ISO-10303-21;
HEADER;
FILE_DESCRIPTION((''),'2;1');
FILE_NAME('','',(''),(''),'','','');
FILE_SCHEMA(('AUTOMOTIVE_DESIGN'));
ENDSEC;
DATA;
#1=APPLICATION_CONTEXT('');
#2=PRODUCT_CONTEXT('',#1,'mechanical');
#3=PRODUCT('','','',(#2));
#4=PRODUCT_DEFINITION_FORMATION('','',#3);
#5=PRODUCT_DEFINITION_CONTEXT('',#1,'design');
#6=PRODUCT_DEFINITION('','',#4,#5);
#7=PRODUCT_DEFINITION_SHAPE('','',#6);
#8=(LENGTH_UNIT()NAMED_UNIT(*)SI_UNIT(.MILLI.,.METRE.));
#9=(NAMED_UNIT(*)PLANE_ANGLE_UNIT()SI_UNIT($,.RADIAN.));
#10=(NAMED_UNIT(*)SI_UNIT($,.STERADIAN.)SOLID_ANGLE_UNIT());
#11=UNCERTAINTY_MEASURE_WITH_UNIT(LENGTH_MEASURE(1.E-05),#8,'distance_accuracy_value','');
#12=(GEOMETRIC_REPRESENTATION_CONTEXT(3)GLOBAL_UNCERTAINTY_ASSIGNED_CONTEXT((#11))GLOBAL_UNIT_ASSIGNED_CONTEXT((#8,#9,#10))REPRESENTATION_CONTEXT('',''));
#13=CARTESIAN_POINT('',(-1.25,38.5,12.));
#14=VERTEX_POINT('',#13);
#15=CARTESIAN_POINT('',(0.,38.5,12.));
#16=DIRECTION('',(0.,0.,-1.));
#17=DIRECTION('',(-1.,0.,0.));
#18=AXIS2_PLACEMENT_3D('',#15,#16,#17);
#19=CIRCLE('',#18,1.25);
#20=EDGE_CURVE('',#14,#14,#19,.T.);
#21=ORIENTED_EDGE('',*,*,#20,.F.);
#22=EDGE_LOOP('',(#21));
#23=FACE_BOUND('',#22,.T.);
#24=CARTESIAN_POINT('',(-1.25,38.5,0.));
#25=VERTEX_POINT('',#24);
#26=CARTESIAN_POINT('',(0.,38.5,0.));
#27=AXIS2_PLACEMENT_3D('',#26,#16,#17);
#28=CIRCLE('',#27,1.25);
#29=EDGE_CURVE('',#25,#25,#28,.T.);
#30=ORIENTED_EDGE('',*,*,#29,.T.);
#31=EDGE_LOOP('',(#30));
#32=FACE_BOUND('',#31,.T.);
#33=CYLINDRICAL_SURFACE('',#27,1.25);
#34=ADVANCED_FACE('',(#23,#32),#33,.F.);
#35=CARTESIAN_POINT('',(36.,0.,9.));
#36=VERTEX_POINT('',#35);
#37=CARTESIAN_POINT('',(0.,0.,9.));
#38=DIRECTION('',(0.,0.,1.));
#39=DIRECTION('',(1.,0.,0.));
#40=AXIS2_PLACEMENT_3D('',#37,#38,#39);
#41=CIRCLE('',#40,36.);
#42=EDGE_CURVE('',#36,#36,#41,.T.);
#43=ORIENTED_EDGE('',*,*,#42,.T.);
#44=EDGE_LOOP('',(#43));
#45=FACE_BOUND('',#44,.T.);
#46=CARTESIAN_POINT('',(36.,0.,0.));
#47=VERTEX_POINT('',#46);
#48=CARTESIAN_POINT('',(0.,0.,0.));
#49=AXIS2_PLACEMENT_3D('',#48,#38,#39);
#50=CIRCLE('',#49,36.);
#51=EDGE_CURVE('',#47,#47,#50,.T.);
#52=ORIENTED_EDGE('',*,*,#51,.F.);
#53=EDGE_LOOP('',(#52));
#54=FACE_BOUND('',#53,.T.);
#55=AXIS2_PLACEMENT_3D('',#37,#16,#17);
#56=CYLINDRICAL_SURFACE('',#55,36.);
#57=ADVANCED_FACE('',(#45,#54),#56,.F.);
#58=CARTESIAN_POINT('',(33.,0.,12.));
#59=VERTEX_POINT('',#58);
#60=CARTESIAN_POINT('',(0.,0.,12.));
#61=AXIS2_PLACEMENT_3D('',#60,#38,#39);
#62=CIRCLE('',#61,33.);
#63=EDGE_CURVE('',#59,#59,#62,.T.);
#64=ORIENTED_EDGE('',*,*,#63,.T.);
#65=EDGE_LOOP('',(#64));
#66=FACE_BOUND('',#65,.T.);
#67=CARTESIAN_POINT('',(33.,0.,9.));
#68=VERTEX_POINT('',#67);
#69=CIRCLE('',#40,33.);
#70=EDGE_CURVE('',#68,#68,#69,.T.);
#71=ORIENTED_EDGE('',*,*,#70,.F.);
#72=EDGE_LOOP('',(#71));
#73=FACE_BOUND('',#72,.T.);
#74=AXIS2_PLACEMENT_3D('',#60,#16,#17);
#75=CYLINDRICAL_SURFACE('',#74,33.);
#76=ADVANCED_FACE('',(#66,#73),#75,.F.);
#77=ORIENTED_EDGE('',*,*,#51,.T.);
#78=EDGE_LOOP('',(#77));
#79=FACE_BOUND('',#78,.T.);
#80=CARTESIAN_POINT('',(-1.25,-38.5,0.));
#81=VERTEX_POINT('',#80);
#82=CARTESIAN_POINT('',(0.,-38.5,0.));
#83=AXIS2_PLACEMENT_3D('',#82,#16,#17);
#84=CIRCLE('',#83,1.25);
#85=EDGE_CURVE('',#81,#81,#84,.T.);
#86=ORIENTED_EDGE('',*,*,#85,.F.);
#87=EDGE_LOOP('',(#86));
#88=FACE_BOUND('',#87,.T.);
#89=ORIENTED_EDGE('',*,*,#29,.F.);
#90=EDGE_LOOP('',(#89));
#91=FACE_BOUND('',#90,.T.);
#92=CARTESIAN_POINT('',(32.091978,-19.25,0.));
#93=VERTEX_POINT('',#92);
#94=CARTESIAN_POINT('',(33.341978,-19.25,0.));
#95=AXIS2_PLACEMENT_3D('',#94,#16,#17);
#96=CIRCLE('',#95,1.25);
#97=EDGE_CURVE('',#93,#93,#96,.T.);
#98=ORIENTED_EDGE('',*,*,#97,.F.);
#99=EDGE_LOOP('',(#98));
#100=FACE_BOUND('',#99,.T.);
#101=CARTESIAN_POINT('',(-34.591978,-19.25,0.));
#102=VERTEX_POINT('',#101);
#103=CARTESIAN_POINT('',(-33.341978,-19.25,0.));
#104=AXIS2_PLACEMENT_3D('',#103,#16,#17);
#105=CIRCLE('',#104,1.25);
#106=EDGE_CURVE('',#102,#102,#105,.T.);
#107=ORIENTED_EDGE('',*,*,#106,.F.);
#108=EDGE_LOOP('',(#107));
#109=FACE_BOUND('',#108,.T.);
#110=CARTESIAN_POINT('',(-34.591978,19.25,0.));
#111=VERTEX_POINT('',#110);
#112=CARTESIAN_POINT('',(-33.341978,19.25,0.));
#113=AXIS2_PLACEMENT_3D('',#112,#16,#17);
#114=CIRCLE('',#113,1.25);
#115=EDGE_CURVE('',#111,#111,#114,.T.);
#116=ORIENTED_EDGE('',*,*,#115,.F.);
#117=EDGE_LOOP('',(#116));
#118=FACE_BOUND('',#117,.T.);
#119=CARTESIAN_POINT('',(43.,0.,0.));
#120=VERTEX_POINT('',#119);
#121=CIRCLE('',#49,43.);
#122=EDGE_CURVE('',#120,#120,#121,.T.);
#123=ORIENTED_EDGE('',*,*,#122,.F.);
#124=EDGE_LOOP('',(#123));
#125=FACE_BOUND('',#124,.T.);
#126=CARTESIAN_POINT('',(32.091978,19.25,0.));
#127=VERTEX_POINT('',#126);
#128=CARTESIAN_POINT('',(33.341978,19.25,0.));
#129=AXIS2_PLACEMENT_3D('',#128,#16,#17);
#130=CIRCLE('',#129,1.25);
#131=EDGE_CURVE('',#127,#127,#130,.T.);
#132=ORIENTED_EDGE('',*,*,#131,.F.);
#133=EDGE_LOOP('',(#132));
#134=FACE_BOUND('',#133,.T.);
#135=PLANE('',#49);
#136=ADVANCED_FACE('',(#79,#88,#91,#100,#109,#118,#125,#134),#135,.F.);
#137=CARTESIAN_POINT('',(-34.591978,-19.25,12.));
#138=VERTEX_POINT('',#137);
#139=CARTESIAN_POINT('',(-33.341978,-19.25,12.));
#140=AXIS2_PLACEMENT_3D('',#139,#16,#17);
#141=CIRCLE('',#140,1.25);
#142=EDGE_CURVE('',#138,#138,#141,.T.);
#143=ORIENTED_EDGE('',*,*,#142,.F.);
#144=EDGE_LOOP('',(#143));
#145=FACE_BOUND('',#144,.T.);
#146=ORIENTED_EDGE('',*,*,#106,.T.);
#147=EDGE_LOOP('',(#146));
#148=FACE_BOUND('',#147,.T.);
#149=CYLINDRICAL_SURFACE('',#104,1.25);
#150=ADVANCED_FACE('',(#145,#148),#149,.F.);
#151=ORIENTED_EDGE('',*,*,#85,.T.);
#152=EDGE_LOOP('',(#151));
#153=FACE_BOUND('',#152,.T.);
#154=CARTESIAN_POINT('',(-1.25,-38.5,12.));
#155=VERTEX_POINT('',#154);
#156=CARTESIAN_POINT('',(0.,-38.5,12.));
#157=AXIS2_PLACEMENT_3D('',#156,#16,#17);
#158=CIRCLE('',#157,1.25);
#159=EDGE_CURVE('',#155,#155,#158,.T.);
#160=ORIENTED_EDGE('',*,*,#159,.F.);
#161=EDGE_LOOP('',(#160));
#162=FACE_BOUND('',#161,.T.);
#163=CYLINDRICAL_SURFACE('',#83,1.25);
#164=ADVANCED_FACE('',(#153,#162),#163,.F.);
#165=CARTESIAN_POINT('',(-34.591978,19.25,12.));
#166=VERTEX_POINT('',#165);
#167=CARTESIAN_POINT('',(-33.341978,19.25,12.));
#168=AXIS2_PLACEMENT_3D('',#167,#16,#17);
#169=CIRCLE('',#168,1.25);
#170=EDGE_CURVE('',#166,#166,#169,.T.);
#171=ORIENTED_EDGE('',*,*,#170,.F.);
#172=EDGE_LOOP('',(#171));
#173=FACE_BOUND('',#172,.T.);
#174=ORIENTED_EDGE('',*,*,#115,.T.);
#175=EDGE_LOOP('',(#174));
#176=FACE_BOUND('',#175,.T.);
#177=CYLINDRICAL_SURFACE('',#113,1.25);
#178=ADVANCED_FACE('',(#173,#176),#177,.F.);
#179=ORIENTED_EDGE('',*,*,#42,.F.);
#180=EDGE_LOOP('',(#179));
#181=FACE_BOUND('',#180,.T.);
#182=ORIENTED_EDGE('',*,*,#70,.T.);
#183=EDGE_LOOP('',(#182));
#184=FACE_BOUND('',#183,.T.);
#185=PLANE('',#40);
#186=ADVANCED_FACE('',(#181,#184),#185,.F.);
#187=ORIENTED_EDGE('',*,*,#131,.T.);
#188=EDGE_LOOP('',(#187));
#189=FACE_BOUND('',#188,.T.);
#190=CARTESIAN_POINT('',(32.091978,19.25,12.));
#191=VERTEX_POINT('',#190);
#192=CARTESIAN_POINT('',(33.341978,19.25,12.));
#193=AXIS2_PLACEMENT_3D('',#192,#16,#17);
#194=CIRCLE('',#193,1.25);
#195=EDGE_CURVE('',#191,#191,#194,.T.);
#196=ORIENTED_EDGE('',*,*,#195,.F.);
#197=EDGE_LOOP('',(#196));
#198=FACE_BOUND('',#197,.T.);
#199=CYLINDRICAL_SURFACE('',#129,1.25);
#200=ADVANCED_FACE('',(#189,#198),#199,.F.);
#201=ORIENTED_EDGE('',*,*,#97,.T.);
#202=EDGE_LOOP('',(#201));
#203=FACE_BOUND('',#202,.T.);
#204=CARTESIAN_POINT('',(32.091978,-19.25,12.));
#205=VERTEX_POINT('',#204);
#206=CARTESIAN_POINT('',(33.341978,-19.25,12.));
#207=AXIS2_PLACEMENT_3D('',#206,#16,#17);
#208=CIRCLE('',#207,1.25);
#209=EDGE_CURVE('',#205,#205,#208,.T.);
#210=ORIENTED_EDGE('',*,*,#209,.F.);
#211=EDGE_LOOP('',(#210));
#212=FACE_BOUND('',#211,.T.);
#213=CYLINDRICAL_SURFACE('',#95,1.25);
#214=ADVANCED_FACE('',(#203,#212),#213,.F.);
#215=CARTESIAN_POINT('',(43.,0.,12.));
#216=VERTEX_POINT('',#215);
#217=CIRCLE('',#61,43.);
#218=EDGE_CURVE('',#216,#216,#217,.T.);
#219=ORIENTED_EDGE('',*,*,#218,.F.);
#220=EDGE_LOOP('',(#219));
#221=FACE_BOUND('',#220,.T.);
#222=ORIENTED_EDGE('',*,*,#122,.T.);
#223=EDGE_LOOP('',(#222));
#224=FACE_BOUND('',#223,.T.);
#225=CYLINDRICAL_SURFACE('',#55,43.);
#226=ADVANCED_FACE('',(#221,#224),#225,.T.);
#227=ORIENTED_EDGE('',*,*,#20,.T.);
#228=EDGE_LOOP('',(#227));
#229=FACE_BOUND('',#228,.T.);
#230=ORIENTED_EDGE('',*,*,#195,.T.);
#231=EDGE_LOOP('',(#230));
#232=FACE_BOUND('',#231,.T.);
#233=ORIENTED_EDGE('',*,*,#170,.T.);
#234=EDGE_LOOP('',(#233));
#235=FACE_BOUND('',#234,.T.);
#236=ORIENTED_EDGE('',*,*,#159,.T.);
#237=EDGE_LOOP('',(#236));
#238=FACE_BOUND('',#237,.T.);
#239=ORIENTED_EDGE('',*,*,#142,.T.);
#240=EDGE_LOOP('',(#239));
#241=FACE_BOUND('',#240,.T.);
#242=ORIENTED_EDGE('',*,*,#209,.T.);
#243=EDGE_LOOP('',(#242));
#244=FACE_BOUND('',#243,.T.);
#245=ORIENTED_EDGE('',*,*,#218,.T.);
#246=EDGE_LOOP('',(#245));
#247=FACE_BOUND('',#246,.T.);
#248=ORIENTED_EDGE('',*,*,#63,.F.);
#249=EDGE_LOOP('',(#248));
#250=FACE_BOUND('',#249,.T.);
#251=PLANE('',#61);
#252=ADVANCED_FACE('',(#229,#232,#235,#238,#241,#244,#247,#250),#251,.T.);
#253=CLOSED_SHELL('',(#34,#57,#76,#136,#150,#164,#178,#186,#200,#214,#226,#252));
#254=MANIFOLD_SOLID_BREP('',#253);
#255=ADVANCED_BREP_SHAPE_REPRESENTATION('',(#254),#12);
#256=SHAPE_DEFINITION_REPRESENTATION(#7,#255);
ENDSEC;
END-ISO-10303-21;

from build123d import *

# Parameters (mm, degrees)
SKETCH_1_R         = 43
SKETCH_1_R_2       = 36
EXTRUDE_1_DEPTH    = 9
SKETCH_2_R         = 43
SKETCH_2_R_2       = 33
EXTRUDE_2_DEPTH    = 3
HOLE_WIZARD_M3_1_D = 2.5


with BuildPart() as part:
    # 草图1 → 凸台-拉伸1 (new body)
    with BuildSketch(Plane.XY):
        Circle(SKETCH_1_R)
        Circle(SKETCH_1_R_2, mode=Mode.SUBTRACT)
    extrude(amount=EXTRUDE_1_DEPTH)

    # 草图2 → 凸台-拉伸2 (add)
    with BuildSketch(Plane.XY.offset(9)):
        Circle(SKETCH_2_R)
        Circle(SKETCH_2_R_2, mode=Mode.SUBTRACT)
    extrude(amount=EXTRUDE_2_DEPTH)

    # M3 螺纹孔1 (through all)
    with Locations(Plane(origin=(-33.341978046, 19.25, 0), x_dir=(-1, 0, 0), z_dir=(0, 0, -1))):
        with Locations((0, 0), (-33.341978046, 19.25), (-66.683956092, 0), (-66.683956092, -38.5), (-33.341978046, -57.75), (0, -38.5)):
            Hole(HOLE_WIZARD_M3_1_D / 2)


solid = part.part
